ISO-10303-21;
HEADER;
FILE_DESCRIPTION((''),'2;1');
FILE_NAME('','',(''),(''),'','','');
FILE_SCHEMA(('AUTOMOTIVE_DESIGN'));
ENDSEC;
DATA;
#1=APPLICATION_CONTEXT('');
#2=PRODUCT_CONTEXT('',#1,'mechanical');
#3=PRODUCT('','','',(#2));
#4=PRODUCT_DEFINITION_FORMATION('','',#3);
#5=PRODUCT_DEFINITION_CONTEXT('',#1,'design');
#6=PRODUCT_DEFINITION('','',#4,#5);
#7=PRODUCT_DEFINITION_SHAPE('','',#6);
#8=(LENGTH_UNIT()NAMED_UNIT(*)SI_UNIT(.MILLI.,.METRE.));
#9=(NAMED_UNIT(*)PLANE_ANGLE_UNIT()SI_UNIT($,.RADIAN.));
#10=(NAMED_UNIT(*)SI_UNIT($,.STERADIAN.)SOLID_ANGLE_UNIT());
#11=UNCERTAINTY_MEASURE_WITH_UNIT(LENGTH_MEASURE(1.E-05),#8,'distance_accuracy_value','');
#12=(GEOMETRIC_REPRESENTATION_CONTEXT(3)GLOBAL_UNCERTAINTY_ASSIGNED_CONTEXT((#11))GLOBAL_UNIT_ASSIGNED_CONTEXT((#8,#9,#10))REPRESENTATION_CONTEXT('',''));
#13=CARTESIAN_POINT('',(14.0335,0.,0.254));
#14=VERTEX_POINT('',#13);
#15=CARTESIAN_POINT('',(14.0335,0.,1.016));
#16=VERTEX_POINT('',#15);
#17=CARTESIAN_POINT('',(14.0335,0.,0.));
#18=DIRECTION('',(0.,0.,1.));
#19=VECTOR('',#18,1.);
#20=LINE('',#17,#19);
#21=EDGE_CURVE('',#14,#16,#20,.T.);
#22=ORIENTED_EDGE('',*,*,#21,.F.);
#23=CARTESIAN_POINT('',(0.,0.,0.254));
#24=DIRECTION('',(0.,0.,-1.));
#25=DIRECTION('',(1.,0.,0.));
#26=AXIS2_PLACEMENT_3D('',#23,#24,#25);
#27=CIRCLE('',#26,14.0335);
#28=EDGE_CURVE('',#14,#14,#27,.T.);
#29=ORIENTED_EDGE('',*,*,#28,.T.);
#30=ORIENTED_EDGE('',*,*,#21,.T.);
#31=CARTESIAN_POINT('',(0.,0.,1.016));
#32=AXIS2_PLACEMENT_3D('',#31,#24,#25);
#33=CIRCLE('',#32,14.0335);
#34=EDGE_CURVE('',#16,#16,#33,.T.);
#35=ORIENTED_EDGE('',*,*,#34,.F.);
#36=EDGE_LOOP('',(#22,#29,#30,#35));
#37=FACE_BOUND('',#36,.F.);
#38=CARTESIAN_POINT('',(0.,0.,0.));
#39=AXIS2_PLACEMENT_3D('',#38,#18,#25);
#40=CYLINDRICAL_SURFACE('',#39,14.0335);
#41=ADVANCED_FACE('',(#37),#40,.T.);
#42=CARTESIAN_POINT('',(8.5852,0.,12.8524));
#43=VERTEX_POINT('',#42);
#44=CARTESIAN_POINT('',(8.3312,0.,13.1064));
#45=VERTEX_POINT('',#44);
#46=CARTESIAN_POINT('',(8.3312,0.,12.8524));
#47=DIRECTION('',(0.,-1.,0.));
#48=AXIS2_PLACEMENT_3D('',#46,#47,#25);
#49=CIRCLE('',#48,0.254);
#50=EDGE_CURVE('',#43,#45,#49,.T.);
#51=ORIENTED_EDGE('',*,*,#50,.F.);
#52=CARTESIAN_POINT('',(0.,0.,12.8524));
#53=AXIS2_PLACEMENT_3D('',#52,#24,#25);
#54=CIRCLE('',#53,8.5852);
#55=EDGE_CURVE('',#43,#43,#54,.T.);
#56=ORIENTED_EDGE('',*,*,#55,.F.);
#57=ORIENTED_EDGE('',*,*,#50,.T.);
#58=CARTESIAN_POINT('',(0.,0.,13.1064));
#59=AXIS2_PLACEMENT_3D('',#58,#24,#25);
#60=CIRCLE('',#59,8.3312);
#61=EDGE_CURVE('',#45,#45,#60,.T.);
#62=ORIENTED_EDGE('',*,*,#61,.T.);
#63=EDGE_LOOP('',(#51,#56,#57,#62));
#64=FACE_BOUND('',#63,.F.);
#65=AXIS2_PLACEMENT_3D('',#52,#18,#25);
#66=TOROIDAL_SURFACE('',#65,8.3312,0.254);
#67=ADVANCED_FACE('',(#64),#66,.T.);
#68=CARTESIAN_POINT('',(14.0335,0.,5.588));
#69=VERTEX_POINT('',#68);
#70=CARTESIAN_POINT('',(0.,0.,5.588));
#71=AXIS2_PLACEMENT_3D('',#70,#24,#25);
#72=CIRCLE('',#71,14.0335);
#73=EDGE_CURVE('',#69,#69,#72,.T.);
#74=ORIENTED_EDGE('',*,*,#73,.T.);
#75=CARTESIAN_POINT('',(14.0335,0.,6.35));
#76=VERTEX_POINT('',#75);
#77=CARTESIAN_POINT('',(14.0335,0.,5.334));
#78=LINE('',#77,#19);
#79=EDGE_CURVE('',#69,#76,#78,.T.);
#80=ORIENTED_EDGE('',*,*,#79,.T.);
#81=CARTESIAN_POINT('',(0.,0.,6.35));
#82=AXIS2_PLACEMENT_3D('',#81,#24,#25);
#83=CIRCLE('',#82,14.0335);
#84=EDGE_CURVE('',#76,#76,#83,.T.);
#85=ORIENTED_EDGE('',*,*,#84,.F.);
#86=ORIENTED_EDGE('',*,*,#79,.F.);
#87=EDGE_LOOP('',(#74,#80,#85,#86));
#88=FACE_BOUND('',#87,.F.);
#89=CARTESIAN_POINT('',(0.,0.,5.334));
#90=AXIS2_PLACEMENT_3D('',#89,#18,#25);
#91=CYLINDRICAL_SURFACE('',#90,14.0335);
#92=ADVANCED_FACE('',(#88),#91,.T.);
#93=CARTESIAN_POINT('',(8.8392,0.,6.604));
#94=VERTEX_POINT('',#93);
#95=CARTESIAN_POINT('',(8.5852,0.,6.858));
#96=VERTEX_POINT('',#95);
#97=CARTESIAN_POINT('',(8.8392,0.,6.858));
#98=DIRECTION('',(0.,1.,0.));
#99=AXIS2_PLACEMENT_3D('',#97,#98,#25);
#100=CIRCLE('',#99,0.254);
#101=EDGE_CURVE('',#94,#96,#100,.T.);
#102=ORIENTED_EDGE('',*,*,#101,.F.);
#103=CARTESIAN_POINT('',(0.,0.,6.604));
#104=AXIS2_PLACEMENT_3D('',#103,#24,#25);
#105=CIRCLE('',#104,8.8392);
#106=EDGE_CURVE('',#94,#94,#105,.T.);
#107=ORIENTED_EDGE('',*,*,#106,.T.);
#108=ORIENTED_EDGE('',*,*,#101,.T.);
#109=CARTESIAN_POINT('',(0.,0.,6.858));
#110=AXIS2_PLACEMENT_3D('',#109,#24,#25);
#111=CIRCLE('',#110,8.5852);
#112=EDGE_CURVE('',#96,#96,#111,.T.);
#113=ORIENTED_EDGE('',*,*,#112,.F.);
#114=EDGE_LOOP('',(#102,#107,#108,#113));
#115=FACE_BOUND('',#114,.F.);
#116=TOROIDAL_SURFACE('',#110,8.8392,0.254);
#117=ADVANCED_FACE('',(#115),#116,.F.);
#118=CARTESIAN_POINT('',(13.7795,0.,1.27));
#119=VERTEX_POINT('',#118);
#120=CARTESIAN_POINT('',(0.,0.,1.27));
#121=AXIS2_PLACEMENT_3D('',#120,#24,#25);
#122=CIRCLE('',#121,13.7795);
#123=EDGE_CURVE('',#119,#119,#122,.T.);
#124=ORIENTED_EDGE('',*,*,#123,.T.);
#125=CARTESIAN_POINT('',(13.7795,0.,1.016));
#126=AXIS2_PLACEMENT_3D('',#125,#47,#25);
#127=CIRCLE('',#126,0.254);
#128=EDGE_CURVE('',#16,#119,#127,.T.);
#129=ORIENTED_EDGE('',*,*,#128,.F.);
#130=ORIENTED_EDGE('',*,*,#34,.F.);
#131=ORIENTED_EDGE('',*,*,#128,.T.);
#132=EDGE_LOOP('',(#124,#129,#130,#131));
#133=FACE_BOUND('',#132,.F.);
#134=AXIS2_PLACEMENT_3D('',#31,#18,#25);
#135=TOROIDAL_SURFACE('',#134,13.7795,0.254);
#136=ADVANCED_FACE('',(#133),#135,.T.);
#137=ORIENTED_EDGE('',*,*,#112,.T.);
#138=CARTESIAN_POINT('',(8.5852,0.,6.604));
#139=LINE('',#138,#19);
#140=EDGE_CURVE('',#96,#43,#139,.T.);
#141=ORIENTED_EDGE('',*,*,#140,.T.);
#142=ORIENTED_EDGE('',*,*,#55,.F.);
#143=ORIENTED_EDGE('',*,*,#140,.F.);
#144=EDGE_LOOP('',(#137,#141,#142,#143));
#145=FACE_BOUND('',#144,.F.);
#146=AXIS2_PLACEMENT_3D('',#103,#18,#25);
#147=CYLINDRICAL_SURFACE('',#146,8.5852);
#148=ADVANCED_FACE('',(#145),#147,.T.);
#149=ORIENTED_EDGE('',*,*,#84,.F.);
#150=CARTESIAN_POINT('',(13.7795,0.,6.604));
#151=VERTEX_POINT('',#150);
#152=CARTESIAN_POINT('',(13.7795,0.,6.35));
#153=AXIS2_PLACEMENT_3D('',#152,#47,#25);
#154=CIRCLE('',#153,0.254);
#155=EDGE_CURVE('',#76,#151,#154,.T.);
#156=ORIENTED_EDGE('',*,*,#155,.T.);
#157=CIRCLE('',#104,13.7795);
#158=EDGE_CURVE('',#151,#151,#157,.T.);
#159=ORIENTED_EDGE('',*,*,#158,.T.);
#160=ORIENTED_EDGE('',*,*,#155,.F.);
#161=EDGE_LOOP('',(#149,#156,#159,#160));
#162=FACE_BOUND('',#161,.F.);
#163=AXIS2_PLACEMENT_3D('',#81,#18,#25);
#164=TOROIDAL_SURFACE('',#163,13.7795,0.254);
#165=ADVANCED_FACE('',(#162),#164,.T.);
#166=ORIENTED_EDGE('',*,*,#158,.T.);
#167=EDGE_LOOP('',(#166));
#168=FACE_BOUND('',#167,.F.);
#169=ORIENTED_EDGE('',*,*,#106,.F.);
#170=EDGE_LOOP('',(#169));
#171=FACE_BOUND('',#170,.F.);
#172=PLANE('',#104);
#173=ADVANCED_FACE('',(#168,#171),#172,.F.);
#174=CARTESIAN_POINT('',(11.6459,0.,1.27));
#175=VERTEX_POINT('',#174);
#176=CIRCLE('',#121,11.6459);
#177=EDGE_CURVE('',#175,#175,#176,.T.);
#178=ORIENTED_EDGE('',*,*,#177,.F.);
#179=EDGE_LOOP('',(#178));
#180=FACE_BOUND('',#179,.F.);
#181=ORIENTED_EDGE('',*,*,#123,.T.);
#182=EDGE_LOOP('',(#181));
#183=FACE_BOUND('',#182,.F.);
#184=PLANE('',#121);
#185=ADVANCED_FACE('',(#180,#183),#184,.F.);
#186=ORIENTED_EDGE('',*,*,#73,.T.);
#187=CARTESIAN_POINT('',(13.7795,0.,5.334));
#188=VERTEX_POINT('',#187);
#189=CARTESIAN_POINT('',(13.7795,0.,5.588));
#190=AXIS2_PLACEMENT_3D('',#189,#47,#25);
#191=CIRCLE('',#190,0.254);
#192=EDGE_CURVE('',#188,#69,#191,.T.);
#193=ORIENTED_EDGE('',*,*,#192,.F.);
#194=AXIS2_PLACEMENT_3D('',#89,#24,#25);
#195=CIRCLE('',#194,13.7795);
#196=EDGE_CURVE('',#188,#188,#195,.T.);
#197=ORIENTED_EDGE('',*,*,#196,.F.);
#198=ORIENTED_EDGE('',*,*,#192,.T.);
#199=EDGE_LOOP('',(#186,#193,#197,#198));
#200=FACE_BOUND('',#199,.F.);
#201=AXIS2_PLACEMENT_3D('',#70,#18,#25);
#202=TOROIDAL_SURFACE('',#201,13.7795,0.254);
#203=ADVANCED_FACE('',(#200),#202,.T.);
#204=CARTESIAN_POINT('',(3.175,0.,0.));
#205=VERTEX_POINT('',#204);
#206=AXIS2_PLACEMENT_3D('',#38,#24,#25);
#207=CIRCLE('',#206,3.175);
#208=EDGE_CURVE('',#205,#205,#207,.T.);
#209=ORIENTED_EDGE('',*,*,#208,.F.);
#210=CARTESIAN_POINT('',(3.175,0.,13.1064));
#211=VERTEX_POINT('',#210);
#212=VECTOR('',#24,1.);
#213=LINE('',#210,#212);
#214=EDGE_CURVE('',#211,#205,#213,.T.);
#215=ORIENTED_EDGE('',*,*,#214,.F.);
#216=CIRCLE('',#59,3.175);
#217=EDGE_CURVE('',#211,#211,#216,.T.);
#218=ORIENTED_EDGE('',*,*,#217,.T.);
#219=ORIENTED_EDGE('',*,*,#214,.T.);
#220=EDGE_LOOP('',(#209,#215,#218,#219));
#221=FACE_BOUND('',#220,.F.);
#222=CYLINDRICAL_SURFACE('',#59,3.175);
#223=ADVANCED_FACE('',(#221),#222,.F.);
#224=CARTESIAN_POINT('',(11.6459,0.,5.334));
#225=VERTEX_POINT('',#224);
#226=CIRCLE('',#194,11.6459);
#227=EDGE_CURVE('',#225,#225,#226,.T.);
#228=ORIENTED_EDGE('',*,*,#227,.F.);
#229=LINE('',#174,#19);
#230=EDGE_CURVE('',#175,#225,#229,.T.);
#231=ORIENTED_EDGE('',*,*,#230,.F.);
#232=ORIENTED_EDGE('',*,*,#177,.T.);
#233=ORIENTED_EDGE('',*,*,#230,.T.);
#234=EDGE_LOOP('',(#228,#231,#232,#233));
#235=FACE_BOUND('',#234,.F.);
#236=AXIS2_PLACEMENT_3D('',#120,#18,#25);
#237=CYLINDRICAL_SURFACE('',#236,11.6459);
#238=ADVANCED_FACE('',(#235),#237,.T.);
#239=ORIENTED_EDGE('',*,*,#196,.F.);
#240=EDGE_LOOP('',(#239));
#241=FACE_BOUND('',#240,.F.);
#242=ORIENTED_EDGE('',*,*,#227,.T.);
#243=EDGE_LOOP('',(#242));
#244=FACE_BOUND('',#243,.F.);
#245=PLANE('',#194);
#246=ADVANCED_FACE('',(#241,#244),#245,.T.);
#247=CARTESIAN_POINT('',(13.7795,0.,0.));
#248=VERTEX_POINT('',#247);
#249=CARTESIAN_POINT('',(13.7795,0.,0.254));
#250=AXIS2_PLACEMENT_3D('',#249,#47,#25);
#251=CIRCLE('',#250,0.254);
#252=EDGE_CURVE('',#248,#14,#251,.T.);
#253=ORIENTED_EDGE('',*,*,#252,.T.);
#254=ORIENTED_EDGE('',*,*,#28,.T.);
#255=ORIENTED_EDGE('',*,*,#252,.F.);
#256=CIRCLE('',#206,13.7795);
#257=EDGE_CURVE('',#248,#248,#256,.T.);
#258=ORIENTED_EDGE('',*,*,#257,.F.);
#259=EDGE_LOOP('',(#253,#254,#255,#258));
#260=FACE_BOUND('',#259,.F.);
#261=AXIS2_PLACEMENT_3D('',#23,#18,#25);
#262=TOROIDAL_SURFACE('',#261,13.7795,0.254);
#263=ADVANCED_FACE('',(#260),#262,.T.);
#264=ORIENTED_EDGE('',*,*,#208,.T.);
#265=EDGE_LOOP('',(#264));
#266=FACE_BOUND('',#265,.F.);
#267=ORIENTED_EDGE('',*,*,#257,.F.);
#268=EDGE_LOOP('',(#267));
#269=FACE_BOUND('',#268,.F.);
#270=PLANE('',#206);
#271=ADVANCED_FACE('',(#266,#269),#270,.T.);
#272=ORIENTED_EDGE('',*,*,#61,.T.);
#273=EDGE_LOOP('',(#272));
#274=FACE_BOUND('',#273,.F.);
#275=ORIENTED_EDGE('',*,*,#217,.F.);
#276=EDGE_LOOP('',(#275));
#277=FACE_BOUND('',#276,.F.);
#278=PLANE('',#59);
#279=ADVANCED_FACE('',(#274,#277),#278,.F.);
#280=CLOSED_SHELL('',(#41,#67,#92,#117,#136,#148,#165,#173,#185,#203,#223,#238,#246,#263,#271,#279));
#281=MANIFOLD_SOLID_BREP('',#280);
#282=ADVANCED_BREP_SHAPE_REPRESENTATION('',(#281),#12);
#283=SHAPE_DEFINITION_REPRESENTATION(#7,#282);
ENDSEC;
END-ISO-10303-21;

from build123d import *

# Parameters (mm, degrees)
F2_R = 0.254


with BuildPart() as f1:
    # F0 (on Front) → F1 (revolve)
    with BuildSketch(Plane.XZ):
        Polygon((3.175, 13.1064), (3.175, 0), (14.0335, 0), (14.0335, 1.27), (11.6459, 1.27), (11.6459, 5.334), (14.0335, 5.334), (14.0335, 6.604), (8.5852, 6.604), (8.5852, 13.1064), align=None)
    revolve(axis=Axis((0, 0, -0.744609), (0, 0, -1)))

    # F2
    f2_edges = [f1.edges().sort_by_distance(p)[0] for p in [
        (-8.5852, 0, 13.1064),
        (-14.0335, 0, 5.334),
        (-14.0335, 0, 6.604),
        (14.0335, 0, 5.969),
        (-14.0335, 0, 0),
        (-14.0335, 0, 1.27),
        (14.0335, 0, 0.635),
        (-8.5852, 0, 6.604),
    ]]
    fillet(f2_edges, radius=F2_R)


solid = f1.part
